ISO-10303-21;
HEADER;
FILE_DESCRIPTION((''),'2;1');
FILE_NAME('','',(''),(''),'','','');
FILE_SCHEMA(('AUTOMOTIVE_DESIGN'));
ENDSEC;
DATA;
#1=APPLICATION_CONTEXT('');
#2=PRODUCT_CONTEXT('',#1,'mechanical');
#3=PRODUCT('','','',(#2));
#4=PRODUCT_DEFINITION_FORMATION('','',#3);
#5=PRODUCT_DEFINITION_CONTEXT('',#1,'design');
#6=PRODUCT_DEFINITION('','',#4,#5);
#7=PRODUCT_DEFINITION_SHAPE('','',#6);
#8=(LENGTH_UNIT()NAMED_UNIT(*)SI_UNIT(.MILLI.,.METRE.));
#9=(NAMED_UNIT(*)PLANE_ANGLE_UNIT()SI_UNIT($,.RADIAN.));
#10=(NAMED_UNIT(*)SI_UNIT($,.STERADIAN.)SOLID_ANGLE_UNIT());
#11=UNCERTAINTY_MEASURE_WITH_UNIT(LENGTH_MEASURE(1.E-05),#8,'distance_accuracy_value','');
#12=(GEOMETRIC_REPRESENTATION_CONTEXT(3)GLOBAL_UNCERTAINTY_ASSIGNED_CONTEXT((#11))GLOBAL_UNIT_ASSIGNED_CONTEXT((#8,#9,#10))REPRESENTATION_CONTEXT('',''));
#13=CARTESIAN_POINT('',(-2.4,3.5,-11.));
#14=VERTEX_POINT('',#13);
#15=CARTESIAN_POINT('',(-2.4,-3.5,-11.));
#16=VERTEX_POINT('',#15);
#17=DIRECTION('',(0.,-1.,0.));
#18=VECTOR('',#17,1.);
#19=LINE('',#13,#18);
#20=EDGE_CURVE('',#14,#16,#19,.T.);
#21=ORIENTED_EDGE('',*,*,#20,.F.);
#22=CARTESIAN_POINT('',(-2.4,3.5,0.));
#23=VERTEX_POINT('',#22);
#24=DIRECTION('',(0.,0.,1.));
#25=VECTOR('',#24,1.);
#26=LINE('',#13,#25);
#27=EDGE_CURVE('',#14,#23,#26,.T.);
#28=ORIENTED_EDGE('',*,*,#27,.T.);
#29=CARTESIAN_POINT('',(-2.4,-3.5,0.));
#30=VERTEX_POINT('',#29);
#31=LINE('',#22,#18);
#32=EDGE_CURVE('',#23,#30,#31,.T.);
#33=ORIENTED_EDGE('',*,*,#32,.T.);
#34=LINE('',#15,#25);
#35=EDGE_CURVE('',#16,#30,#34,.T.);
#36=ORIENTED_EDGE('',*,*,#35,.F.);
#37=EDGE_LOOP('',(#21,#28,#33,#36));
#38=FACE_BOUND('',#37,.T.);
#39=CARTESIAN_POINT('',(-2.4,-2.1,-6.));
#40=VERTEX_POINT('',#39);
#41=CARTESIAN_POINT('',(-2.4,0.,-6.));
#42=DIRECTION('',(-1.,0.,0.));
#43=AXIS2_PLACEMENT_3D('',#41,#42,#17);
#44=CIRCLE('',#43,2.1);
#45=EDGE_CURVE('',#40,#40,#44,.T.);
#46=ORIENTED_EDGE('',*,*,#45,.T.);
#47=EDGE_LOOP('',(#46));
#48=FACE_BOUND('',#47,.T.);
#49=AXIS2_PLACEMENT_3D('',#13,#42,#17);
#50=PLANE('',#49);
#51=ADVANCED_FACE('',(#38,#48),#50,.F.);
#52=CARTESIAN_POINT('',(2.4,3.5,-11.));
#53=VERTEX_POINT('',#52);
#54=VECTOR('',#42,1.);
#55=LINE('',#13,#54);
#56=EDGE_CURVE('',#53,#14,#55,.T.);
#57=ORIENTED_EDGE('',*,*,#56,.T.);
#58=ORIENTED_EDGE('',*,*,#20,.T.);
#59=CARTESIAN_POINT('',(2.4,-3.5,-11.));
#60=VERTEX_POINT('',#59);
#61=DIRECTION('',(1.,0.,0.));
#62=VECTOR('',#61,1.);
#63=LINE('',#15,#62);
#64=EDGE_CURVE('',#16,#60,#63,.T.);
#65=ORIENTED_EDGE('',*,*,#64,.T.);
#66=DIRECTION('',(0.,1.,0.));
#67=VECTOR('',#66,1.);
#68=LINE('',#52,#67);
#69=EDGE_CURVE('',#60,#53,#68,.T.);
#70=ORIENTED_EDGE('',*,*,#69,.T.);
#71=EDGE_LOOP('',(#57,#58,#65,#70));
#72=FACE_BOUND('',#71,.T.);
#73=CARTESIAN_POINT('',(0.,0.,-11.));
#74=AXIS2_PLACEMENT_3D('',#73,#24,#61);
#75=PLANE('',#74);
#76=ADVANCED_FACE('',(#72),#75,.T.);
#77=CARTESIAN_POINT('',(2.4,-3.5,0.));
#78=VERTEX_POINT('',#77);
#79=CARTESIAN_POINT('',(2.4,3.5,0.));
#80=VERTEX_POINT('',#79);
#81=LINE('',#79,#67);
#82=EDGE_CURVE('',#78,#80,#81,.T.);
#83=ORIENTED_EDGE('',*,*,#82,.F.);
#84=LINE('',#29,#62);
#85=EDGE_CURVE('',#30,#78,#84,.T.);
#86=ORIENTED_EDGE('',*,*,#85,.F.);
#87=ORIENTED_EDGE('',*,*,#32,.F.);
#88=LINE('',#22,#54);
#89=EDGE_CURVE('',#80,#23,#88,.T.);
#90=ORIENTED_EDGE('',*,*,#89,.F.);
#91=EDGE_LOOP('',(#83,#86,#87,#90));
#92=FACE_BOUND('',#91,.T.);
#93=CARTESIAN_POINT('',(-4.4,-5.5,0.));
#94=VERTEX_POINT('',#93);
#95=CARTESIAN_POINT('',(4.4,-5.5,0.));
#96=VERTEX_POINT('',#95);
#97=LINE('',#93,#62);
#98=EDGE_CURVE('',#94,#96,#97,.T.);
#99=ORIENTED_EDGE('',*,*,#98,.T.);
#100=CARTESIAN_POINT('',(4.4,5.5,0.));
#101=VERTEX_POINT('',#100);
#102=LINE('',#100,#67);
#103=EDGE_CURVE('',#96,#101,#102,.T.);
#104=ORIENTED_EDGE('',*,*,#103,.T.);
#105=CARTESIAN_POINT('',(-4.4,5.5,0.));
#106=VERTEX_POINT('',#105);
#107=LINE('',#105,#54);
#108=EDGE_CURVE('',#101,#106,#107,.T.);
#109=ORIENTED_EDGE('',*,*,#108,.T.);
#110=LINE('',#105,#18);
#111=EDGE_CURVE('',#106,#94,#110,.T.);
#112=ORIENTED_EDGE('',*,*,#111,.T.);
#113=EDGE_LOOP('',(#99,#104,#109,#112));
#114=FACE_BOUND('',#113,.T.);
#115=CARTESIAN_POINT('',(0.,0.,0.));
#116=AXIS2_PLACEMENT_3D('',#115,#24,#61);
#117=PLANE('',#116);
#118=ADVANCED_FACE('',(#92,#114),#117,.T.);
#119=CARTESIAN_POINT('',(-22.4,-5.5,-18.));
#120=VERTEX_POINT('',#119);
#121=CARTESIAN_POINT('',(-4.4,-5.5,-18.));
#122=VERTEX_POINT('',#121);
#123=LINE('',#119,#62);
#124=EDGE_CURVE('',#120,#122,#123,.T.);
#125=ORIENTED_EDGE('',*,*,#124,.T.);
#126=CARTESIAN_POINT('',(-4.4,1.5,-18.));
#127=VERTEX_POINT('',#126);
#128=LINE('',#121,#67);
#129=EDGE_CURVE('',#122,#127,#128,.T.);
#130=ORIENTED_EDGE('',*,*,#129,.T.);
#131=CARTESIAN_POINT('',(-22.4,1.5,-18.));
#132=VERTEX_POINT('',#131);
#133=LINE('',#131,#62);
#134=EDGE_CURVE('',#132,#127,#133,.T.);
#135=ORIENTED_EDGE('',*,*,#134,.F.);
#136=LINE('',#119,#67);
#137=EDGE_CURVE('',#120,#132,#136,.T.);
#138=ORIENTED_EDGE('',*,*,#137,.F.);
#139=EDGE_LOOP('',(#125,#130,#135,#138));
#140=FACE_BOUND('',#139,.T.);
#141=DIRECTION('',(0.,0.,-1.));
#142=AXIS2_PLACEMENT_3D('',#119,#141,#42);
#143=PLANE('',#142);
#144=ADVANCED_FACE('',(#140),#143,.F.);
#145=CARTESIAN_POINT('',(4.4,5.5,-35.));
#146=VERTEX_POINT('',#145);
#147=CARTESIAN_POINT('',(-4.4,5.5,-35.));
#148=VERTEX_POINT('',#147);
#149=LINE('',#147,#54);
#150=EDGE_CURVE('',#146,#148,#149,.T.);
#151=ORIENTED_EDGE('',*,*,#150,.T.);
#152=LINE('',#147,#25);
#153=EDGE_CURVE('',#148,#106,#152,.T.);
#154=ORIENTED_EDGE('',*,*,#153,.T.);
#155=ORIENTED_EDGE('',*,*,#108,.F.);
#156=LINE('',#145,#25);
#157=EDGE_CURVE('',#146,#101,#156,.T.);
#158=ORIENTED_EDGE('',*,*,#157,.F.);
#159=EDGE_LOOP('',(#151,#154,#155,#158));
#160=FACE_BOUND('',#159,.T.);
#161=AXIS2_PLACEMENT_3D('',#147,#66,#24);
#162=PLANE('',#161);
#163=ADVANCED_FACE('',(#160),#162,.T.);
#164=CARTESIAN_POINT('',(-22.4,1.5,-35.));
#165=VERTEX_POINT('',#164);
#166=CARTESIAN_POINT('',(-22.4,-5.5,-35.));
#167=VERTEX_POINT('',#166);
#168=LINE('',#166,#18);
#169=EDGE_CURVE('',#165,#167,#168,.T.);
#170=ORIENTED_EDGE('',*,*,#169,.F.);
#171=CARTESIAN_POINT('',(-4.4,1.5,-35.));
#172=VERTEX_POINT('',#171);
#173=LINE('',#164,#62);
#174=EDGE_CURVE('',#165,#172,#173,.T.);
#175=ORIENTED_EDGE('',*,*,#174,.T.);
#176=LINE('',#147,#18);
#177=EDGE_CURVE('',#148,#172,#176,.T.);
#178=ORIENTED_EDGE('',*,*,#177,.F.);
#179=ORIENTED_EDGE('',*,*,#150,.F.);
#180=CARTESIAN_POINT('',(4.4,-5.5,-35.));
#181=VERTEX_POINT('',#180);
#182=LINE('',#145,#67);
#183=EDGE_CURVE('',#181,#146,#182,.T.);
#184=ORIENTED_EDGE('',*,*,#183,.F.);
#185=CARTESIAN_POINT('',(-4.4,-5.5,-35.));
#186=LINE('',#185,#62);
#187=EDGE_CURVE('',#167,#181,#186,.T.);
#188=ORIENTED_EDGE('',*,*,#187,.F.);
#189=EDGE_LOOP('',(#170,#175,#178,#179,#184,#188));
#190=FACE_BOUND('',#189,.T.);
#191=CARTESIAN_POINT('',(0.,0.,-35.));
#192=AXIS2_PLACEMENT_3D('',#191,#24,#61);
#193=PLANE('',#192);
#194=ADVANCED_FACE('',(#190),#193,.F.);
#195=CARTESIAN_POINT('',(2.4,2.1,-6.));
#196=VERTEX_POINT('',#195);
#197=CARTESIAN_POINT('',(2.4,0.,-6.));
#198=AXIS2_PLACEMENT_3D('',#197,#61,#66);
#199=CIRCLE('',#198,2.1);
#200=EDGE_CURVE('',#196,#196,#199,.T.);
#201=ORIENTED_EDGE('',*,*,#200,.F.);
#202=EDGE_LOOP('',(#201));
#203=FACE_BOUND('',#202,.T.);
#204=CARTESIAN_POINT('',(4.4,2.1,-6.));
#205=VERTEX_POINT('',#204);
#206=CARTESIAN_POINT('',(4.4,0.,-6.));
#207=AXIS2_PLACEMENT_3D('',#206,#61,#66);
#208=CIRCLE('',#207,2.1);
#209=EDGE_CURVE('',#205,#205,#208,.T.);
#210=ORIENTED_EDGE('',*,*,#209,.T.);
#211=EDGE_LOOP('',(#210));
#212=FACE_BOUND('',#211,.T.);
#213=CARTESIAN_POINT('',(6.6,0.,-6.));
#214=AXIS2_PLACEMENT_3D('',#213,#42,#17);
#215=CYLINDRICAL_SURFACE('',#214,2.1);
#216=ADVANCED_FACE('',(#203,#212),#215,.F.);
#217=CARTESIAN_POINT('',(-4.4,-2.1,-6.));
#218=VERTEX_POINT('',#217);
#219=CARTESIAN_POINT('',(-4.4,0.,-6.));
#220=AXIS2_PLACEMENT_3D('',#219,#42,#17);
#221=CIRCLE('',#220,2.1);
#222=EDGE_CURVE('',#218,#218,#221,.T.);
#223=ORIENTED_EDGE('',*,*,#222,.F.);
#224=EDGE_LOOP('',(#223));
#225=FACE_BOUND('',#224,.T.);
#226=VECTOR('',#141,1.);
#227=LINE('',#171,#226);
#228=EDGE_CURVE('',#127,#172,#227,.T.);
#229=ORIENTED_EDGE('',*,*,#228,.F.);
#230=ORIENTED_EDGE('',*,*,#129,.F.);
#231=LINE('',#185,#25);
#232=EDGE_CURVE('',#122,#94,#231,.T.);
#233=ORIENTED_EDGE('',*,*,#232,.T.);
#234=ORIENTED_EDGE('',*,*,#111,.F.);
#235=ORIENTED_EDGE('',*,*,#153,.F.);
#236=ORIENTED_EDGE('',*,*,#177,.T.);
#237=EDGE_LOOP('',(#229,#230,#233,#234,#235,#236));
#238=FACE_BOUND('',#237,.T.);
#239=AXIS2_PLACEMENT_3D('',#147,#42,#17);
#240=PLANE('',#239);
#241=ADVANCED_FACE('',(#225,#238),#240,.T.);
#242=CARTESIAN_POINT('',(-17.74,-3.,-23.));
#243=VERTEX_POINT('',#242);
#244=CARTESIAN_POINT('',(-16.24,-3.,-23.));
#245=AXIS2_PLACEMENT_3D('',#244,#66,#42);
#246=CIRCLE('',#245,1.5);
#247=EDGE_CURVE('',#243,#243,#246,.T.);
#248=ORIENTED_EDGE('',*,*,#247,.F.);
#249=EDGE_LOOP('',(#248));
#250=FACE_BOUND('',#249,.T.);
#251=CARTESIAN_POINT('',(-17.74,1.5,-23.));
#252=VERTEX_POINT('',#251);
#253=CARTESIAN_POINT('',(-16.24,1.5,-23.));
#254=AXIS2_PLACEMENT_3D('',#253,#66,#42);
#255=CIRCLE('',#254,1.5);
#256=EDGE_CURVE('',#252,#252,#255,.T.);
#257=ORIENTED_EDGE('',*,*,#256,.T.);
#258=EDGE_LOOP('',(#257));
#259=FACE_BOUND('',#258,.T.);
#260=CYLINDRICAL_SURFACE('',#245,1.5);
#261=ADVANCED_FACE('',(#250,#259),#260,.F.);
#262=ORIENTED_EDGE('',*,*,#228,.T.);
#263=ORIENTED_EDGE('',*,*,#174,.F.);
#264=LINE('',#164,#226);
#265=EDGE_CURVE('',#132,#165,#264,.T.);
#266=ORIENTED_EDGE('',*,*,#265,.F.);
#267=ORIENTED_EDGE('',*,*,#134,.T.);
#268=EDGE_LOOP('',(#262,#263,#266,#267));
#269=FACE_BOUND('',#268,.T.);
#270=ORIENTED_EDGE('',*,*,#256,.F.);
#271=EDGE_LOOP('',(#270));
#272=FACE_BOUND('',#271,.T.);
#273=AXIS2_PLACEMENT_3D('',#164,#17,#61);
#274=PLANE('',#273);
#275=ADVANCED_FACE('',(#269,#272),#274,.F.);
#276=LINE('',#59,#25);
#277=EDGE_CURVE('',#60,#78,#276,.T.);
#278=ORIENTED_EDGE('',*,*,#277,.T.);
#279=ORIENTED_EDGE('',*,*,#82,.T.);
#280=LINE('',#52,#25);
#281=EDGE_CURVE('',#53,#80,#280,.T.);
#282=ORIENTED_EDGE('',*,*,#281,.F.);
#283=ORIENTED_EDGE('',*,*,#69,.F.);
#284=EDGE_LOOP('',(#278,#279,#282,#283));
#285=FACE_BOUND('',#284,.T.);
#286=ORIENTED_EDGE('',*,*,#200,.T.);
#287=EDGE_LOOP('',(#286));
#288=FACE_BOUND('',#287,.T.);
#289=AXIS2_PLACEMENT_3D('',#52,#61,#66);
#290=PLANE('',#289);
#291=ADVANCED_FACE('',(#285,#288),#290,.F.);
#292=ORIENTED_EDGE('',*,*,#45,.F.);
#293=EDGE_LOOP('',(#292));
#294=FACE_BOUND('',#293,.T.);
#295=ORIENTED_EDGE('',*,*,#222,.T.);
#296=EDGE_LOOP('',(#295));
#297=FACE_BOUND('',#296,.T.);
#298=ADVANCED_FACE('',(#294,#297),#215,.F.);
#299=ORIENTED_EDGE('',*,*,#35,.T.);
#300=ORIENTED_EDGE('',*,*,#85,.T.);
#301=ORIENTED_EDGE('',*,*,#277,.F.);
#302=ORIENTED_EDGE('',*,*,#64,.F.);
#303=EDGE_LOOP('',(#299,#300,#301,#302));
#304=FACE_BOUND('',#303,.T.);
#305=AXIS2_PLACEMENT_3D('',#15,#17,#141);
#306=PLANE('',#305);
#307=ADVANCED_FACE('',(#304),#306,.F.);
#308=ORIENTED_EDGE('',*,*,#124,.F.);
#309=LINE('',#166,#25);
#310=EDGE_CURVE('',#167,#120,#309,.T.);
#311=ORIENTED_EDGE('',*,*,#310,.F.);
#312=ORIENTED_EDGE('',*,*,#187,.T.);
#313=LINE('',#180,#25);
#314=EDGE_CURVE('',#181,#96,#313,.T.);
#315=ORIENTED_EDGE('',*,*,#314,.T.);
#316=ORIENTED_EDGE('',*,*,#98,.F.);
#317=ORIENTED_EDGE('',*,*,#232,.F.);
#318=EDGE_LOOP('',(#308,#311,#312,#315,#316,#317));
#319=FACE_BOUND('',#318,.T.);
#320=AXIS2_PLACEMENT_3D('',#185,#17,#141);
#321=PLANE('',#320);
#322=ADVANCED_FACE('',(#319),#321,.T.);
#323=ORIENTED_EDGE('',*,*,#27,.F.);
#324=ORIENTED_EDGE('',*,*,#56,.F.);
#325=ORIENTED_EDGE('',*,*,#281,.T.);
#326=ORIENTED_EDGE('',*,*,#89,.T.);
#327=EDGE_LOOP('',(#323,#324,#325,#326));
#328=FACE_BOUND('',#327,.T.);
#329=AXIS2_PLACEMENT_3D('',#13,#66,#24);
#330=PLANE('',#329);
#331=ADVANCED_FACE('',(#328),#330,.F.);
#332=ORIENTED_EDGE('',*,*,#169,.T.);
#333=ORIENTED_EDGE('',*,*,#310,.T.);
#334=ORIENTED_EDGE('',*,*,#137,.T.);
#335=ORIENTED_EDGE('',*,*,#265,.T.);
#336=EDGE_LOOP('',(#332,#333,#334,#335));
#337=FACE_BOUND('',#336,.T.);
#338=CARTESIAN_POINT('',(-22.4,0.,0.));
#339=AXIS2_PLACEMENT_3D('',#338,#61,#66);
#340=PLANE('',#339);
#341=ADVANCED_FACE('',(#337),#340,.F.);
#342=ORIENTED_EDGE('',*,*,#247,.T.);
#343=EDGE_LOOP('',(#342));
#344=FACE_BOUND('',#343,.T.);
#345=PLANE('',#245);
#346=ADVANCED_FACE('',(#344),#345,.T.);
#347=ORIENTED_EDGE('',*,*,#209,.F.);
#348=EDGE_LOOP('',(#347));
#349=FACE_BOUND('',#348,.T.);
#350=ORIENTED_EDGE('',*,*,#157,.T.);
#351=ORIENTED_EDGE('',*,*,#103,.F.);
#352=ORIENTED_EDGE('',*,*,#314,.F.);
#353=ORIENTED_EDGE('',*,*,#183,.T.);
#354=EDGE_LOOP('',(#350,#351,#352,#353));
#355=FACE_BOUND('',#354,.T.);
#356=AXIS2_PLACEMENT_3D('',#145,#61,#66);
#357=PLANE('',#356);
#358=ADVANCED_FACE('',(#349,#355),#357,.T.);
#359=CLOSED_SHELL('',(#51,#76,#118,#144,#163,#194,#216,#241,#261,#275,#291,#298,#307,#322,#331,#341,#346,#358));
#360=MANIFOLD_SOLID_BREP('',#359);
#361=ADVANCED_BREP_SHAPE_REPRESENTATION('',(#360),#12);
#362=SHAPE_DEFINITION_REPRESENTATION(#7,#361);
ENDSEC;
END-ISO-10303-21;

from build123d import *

# Parameters (mm, degrees)
SKETCH_1_W          = 8.8
SKETCH_1_H          = 11
EXTRUDE_1_DEPTH     = 35
SKETCH_2_W          = 4.8
SKETCH_2_H          = 7
CUT_EXTRUDE_1_DEPTH = 11
SKETCH_3_R          = 2.1
CUT_EXTRUDE_2_DEPTH = 11
SKETCH_4_W          = 17
SKETCH_4_H          = 7
EXTRUDE_2_DEPTH     = 18
SKETCH_5_R          = 1.5
CUT_EXTRUDE_3_DEPTH = 4.5


with BuildPart() as part:
    # 草图1 → 凸台-拉伸1 (new body)
    with BuildSketch(Plane.XY):
        Rectangle(SKETCH_1_W, SKETCH_1_H)
    extrude(amount=-EXTRUDE_1_DEPTH)

    # 草图2 → 切除-拉伸1 (cut)
    with BuildSketch(Plane.XY):
        Rectangle(SKETCH_2_W, SKETCH_2_H)
    extrude(amount=-CUT_EXTRUDE_1_DEPTH, mode=Mode.SUBTRACT)

    # 草图3 → 切除-拉伸2 (cut)
    with BuildSketch(Plane.ZY.offset(4.4)):
        with Locations((-6, 0)):
            Circle(SKETCH_3_R)
    extrude(amount=-CUT_EXTRUDE_2_DEPTH, mode=Mode.SUBTRACT)

    # 草图4 → 凸台-拉伸2 (add)
    with BuildSketch(Plane.ZY.offset(4.4)):
        with Locations((-26.5, -2)):
            Rectangle(SKETCH_4_W, SKETCH_4_H)
    extrude(amount=EXTRUDE_2_DEPTH)

    # 草图5 → 切除-拉伸3 (cut)
    with BuildSketch(Plane(origin=(0, 1.5, 0), x_dir=(1, 0, 0), z_dir=(0, 1, 0))):
        with Locations((-16.24, 23)):
            Circle(SKETCH_5_R)
    extrude(amount=-CUT_EXTRUDE_3_DEPTH, mode=Mode.SUBTRACT)


solid = part.part
